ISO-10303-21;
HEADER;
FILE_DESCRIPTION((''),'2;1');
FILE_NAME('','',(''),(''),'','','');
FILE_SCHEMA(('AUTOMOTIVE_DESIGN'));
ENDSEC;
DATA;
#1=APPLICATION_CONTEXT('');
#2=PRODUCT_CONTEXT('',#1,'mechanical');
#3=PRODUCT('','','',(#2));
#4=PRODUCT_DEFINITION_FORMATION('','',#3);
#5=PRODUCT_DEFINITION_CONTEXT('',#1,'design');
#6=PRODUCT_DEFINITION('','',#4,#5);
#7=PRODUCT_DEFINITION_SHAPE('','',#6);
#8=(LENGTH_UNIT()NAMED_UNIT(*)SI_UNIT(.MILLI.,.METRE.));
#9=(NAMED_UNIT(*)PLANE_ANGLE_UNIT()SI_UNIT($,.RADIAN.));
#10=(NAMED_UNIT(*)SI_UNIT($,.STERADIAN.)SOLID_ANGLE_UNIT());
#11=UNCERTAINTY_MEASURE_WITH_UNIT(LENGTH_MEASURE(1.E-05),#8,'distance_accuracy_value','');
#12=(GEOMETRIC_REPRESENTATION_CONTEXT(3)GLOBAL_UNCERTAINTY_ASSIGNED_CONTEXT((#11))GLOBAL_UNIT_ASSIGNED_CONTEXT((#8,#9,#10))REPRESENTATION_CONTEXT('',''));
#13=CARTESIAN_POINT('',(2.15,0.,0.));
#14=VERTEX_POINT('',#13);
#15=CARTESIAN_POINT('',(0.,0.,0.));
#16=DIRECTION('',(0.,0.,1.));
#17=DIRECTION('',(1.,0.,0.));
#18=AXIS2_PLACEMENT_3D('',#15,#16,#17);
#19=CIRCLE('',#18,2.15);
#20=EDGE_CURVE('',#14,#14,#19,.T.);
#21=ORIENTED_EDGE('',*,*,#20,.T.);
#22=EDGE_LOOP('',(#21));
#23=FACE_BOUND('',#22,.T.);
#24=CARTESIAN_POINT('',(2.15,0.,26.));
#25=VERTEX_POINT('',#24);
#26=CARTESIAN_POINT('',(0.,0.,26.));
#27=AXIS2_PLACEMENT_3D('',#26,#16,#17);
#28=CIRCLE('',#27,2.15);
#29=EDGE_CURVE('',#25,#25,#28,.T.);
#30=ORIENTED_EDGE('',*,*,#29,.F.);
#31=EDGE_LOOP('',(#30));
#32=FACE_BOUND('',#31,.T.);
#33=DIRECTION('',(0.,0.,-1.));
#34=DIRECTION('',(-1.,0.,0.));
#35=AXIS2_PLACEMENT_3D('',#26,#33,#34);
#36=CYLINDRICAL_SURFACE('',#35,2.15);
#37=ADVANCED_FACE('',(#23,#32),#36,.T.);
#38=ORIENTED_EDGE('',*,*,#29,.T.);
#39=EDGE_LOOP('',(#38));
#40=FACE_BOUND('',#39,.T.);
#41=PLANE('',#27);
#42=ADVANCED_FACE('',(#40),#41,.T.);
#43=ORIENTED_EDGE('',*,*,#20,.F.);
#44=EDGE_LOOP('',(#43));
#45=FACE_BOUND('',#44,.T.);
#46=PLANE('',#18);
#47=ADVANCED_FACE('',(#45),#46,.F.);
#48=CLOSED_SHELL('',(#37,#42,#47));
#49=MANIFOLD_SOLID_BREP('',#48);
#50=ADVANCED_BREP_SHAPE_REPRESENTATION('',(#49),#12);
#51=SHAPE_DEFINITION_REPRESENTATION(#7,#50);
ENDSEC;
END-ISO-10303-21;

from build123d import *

# Parameters (mm, degrees)
CROQUIS1_R              = 2.15
SALIENTE_EXTRUIR1_DEPTH = 26


with BuildPart() as part:
    # Croquis1 → Saliente-Extruir1 (new body)
    with BuildSketch(Plane.XY):
        Circle(CROQUIS1_R)
    extrude(amount=SALIENTE_EXTRUIR1_DEPTH)


solid = part.part
